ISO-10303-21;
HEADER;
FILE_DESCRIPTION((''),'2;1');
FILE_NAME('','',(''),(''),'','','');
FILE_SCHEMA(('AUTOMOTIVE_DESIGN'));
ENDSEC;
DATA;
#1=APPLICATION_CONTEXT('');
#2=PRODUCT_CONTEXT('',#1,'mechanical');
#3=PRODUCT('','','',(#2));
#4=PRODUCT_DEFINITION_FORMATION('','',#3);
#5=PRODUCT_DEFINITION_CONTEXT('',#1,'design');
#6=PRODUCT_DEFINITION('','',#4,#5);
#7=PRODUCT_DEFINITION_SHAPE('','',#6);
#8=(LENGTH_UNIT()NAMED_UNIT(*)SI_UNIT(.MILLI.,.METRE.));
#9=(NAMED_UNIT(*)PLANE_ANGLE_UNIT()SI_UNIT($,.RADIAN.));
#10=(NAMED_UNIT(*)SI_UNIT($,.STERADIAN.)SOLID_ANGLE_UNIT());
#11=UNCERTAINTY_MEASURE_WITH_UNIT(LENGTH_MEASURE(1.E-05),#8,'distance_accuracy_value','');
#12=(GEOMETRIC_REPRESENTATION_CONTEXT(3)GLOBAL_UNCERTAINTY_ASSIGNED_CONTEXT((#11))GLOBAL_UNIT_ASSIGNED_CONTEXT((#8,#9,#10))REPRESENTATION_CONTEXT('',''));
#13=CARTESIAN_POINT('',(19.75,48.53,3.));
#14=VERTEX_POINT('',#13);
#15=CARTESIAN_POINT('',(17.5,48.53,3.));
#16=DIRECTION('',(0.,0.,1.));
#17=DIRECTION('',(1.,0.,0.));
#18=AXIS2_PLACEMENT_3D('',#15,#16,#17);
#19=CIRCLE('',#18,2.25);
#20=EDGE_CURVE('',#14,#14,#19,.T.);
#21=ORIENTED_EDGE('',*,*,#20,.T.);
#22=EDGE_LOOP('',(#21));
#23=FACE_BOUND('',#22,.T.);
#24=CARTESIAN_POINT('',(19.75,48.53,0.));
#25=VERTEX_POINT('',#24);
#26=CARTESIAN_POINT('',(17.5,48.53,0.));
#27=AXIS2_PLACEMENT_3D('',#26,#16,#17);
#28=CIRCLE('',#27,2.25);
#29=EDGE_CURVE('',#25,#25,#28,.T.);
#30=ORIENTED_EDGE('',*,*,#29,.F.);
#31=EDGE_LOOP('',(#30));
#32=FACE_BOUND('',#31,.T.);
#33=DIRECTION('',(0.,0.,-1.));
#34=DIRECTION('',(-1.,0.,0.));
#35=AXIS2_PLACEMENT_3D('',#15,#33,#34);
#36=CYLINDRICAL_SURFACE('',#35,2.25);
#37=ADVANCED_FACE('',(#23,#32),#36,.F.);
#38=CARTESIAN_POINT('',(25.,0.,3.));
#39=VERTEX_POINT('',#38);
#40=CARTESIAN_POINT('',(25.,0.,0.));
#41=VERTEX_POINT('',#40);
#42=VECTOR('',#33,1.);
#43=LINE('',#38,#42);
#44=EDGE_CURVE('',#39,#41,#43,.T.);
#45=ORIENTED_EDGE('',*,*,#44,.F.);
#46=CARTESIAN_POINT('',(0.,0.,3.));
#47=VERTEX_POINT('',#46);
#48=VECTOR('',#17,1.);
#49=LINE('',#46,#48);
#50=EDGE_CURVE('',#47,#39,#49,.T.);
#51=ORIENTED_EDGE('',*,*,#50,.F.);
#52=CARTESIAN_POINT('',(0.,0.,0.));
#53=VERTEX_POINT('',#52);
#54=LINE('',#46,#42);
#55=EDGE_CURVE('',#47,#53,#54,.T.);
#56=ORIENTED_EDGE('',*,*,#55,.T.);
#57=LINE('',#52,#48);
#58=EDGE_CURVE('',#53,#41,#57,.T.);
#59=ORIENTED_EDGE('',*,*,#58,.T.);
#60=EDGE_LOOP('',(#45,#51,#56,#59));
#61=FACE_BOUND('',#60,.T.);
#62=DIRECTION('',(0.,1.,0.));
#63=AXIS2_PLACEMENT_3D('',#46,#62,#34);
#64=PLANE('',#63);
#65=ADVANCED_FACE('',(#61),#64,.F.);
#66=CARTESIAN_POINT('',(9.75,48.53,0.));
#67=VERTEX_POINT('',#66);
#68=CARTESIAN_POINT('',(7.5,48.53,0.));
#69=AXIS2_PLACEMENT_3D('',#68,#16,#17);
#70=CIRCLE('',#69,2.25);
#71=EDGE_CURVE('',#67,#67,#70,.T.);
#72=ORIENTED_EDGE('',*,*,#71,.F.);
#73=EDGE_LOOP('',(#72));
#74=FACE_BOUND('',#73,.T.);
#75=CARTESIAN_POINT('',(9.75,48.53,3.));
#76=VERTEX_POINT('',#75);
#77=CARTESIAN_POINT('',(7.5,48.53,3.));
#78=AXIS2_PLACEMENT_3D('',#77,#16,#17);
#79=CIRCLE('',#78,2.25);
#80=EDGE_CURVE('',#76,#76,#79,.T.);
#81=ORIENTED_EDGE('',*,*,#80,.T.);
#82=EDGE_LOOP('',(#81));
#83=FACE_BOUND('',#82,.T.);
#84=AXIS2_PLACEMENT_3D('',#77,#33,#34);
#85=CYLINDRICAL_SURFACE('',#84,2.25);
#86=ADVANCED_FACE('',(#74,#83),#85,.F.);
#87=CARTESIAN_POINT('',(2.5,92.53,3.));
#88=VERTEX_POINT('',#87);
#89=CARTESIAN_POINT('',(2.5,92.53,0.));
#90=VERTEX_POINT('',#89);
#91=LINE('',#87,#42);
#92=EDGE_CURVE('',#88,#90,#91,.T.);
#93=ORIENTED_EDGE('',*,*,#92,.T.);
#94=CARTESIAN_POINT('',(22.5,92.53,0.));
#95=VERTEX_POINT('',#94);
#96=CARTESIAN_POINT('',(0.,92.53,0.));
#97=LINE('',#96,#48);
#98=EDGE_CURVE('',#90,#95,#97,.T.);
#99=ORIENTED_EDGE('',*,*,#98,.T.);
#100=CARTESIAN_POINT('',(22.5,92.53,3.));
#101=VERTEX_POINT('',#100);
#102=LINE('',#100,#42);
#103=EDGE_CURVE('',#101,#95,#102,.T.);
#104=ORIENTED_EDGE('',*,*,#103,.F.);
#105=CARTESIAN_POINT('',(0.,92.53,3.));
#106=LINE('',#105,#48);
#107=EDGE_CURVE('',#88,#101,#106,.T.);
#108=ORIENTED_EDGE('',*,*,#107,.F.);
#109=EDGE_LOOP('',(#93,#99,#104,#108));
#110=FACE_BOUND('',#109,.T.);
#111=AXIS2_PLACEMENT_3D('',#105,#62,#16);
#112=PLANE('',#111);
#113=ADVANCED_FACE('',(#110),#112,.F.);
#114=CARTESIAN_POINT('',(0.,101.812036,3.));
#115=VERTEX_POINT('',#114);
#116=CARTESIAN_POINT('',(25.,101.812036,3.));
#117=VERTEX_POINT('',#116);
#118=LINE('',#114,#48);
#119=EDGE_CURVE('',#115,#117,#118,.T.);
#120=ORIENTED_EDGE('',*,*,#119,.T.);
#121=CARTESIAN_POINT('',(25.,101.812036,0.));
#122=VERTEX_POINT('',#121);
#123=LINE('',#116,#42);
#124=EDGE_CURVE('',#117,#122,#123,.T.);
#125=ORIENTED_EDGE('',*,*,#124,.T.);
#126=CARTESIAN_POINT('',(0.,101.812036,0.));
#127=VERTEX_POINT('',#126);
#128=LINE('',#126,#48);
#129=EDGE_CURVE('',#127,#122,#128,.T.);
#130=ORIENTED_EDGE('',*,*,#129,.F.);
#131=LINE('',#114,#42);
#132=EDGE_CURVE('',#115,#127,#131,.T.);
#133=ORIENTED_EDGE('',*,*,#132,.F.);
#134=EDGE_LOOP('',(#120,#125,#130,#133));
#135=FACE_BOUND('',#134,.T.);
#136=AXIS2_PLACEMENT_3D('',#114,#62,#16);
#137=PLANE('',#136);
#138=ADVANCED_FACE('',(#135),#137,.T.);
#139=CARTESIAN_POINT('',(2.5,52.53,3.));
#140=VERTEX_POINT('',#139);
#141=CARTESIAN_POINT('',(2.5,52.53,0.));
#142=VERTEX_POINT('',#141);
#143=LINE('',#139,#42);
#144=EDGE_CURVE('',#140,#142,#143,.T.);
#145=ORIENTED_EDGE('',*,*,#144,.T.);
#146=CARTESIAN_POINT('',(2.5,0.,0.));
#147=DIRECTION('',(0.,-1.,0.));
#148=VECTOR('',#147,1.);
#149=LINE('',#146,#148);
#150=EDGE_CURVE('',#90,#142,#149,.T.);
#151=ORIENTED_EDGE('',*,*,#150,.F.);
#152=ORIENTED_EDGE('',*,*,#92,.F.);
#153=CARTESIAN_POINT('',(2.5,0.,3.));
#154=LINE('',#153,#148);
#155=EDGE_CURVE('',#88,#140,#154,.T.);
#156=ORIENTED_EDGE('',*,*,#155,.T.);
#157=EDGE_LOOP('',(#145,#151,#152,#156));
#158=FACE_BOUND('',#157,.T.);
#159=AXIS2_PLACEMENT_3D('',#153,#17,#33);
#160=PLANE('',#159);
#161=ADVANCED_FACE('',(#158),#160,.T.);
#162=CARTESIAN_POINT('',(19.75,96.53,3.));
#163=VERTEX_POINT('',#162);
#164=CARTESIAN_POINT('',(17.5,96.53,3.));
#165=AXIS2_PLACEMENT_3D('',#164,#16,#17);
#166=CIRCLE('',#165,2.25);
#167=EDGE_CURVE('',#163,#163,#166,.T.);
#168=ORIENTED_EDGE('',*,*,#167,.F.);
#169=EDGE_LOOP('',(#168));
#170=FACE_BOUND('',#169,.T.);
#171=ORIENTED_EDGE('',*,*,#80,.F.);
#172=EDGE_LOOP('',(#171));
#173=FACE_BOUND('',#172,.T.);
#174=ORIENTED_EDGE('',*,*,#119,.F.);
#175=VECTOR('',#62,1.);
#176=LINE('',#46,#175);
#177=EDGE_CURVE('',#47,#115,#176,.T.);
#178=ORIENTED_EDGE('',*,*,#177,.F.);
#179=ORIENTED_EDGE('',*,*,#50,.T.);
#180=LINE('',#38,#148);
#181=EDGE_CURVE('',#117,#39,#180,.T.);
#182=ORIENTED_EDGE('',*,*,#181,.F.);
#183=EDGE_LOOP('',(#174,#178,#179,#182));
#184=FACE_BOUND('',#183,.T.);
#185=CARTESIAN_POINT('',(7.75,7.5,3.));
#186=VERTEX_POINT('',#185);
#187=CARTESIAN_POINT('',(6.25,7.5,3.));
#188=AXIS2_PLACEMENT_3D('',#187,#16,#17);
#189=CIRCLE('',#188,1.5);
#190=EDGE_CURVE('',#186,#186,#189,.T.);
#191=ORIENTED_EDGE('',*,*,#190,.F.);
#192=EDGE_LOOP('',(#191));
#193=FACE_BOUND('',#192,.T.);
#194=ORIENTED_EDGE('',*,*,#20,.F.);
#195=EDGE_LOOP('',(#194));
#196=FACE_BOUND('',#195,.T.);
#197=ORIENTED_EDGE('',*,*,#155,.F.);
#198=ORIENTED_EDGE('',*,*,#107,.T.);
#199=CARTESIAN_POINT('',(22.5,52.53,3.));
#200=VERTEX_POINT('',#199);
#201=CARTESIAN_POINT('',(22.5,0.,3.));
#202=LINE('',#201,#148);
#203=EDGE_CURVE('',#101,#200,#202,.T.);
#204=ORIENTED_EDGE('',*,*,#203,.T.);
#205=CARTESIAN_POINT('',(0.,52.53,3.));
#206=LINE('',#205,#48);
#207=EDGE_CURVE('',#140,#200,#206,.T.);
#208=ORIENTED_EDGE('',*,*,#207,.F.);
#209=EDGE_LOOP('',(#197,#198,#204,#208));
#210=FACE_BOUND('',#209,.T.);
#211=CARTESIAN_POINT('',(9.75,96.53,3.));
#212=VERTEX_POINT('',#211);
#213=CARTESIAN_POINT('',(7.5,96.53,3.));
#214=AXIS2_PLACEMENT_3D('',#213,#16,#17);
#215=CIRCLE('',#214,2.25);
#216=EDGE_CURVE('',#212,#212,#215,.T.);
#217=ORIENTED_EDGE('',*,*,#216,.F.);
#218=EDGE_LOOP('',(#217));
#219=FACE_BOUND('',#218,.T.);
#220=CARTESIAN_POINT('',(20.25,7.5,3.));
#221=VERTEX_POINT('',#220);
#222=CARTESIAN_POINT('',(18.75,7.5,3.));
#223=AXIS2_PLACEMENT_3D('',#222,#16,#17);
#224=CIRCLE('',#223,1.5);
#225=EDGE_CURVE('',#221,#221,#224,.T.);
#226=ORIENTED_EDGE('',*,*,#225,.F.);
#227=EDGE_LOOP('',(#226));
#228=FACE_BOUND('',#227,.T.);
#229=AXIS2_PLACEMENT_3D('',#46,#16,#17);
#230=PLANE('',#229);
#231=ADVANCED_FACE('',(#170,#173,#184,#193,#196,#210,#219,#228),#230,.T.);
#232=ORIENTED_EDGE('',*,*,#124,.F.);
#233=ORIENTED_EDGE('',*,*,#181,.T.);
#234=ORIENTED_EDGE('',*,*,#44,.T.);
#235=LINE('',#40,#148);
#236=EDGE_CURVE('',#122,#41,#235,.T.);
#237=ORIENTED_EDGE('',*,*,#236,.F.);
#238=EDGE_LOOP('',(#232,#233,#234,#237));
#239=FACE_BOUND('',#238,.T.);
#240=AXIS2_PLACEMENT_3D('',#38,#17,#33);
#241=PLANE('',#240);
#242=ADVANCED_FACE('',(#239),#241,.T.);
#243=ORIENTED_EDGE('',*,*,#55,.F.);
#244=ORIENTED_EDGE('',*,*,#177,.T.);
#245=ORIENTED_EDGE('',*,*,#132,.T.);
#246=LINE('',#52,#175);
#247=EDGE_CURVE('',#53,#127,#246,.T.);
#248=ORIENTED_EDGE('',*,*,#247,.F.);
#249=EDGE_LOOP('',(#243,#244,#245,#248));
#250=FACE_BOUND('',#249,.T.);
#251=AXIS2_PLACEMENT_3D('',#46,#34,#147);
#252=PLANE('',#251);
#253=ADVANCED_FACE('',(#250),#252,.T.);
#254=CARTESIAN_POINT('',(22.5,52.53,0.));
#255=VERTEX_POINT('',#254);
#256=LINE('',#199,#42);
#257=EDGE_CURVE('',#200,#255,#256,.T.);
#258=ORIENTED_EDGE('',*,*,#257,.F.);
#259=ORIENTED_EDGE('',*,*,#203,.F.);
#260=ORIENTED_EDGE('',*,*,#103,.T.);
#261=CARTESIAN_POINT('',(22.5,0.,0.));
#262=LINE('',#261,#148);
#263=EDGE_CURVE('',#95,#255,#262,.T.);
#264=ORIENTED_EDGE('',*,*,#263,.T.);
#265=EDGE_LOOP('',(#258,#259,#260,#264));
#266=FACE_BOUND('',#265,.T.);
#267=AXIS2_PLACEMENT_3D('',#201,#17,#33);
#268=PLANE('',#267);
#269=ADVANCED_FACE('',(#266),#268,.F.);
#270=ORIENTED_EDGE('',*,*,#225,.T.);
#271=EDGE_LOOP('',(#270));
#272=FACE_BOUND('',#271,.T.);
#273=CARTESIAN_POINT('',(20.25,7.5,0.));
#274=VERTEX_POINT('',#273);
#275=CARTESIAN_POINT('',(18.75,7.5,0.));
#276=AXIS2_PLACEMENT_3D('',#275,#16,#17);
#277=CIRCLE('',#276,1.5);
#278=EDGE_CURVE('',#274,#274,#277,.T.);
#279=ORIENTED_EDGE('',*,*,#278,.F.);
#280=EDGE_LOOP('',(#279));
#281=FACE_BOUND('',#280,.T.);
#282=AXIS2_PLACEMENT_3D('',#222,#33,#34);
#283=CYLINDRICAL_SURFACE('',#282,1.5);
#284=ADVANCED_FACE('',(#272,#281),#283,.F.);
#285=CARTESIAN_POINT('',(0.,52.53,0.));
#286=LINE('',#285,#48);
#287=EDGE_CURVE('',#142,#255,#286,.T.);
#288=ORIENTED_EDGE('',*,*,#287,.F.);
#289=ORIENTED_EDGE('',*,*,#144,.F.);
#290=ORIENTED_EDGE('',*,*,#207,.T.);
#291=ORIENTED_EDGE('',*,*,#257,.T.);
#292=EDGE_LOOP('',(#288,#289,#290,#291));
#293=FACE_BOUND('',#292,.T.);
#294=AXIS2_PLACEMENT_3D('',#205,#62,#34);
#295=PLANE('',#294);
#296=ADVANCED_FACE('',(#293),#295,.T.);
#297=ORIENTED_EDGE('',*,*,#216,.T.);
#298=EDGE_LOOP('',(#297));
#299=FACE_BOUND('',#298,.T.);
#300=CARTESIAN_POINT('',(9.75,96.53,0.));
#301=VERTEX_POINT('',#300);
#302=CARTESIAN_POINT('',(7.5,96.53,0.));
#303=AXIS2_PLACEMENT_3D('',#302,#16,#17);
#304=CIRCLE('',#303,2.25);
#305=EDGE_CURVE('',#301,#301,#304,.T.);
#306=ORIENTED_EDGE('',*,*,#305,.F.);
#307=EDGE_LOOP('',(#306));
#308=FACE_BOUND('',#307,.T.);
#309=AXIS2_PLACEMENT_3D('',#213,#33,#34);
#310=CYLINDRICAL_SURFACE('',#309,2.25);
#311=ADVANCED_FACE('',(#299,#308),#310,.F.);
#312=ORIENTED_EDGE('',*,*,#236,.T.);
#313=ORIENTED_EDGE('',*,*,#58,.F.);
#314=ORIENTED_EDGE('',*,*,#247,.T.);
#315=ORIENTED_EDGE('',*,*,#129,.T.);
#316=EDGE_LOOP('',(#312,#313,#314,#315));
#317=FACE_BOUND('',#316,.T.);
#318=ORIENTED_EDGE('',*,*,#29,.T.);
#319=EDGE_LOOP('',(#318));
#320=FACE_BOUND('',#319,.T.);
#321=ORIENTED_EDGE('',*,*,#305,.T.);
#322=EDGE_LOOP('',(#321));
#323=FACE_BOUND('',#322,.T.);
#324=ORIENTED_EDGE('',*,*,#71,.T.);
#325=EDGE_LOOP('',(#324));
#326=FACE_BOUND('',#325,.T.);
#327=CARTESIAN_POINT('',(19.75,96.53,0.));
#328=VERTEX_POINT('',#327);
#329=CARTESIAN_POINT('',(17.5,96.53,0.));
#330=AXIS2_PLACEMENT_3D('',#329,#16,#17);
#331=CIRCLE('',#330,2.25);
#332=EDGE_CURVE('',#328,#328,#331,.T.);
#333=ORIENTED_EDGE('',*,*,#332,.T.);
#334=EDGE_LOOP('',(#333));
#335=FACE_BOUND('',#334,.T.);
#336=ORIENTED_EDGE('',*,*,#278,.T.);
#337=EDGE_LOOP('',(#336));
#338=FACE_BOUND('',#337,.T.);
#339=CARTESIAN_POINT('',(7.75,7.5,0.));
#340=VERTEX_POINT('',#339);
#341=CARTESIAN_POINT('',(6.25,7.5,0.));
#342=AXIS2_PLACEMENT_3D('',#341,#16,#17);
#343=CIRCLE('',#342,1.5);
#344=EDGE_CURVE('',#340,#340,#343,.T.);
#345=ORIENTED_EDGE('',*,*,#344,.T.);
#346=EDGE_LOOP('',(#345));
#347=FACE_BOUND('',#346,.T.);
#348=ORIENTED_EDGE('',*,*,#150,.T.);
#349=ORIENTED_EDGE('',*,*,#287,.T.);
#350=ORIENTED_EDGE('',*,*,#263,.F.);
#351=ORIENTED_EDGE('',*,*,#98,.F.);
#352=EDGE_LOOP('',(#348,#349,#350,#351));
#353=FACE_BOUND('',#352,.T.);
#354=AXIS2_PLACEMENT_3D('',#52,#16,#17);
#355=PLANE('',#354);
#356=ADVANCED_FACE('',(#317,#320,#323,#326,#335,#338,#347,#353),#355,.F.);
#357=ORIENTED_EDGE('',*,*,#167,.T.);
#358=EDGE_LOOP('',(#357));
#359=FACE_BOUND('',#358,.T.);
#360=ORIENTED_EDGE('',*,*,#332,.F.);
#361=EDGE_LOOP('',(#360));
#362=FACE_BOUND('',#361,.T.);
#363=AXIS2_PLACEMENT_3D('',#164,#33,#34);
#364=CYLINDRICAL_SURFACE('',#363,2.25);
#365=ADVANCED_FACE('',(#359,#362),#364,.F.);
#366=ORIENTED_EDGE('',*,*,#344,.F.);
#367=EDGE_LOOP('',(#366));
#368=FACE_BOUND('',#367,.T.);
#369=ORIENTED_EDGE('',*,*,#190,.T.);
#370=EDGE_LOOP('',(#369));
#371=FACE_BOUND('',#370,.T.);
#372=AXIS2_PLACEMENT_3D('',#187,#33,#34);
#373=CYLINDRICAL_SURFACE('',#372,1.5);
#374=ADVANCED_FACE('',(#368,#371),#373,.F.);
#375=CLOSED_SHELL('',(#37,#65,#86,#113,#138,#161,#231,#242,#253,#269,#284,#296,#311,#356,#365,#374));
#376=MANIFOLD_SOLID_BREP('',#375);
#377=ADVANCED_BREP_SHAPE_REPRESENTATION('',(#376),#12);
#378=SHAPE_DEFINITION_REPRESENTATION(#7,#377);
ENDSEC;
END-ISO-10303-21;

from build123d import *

# Parameters (mm, degrees)
SKETCH1_W           = 25
SKETCH1_H           = 15
SKETCH1_R           = 1.5
SKETCH1_H_2         = 86.812035999
SKETCH1_R_2         = 2.25
BOSS_EXTRUDE1_DEPTH = 3


with BuildPart() as part:
    # Sketch1 → Boss-Extrude1 (new body)
    # profile 1 of 2: a face of its own
    with BuildSketch(Plane.XY):
        with Locations((12.5, 7.5)):
            Rectangle(SKETCH1_W, SKETCH1_H)
        with Locations((6.25, 7.5)):
            Circle(SKETCH1_R, mode=Mode.SUBTRACT)
        with Locations((18.75, 7.5)):
            Circle(SKETCH1_R, mode=Mode.SUBTRACT)
    # profile 2 of 2: a face of its own
    with BuildSketch(Plane.XY):
        with Locations((12.5, 58.406018)):
            Rectangle(SKETCH1_W, SKETCH1_H_2)
        with Locations((7.5, 48.53)):
            Circle(SKETCH1_R_2, mode=Mode.SUBTRACT)
        with BuildLine():
            ThreePointArc((19.75, 48.53), (17.5, 46.28), (15.25, 48.53))
            ThreePointArc((15.25, 48.53), (17.5, 50.78), (19.75, 48.53))
        make_face(mode=Mode.SUBTRACT)
        with Locations((7.5, 96.53)):
            Circle(SKETCH1_R_2, mode=Mode.SUBTRACT)
        Polygon((2.5, 52.53), (2.5, 92.53), (12.5, 92.53), (22.5, 92.53), (22.5, 52.53), (12.5, 52.53), align=None, mode=Mode.SUBTRACT)
        with Locations((17.5, 96.53)):
            Circle(SKETCH1_R_2, mode=Mode.SUBTRACT)
    extrude(amount=BOSS_EXTRUDE1_DEPTH)


solid = part.part
